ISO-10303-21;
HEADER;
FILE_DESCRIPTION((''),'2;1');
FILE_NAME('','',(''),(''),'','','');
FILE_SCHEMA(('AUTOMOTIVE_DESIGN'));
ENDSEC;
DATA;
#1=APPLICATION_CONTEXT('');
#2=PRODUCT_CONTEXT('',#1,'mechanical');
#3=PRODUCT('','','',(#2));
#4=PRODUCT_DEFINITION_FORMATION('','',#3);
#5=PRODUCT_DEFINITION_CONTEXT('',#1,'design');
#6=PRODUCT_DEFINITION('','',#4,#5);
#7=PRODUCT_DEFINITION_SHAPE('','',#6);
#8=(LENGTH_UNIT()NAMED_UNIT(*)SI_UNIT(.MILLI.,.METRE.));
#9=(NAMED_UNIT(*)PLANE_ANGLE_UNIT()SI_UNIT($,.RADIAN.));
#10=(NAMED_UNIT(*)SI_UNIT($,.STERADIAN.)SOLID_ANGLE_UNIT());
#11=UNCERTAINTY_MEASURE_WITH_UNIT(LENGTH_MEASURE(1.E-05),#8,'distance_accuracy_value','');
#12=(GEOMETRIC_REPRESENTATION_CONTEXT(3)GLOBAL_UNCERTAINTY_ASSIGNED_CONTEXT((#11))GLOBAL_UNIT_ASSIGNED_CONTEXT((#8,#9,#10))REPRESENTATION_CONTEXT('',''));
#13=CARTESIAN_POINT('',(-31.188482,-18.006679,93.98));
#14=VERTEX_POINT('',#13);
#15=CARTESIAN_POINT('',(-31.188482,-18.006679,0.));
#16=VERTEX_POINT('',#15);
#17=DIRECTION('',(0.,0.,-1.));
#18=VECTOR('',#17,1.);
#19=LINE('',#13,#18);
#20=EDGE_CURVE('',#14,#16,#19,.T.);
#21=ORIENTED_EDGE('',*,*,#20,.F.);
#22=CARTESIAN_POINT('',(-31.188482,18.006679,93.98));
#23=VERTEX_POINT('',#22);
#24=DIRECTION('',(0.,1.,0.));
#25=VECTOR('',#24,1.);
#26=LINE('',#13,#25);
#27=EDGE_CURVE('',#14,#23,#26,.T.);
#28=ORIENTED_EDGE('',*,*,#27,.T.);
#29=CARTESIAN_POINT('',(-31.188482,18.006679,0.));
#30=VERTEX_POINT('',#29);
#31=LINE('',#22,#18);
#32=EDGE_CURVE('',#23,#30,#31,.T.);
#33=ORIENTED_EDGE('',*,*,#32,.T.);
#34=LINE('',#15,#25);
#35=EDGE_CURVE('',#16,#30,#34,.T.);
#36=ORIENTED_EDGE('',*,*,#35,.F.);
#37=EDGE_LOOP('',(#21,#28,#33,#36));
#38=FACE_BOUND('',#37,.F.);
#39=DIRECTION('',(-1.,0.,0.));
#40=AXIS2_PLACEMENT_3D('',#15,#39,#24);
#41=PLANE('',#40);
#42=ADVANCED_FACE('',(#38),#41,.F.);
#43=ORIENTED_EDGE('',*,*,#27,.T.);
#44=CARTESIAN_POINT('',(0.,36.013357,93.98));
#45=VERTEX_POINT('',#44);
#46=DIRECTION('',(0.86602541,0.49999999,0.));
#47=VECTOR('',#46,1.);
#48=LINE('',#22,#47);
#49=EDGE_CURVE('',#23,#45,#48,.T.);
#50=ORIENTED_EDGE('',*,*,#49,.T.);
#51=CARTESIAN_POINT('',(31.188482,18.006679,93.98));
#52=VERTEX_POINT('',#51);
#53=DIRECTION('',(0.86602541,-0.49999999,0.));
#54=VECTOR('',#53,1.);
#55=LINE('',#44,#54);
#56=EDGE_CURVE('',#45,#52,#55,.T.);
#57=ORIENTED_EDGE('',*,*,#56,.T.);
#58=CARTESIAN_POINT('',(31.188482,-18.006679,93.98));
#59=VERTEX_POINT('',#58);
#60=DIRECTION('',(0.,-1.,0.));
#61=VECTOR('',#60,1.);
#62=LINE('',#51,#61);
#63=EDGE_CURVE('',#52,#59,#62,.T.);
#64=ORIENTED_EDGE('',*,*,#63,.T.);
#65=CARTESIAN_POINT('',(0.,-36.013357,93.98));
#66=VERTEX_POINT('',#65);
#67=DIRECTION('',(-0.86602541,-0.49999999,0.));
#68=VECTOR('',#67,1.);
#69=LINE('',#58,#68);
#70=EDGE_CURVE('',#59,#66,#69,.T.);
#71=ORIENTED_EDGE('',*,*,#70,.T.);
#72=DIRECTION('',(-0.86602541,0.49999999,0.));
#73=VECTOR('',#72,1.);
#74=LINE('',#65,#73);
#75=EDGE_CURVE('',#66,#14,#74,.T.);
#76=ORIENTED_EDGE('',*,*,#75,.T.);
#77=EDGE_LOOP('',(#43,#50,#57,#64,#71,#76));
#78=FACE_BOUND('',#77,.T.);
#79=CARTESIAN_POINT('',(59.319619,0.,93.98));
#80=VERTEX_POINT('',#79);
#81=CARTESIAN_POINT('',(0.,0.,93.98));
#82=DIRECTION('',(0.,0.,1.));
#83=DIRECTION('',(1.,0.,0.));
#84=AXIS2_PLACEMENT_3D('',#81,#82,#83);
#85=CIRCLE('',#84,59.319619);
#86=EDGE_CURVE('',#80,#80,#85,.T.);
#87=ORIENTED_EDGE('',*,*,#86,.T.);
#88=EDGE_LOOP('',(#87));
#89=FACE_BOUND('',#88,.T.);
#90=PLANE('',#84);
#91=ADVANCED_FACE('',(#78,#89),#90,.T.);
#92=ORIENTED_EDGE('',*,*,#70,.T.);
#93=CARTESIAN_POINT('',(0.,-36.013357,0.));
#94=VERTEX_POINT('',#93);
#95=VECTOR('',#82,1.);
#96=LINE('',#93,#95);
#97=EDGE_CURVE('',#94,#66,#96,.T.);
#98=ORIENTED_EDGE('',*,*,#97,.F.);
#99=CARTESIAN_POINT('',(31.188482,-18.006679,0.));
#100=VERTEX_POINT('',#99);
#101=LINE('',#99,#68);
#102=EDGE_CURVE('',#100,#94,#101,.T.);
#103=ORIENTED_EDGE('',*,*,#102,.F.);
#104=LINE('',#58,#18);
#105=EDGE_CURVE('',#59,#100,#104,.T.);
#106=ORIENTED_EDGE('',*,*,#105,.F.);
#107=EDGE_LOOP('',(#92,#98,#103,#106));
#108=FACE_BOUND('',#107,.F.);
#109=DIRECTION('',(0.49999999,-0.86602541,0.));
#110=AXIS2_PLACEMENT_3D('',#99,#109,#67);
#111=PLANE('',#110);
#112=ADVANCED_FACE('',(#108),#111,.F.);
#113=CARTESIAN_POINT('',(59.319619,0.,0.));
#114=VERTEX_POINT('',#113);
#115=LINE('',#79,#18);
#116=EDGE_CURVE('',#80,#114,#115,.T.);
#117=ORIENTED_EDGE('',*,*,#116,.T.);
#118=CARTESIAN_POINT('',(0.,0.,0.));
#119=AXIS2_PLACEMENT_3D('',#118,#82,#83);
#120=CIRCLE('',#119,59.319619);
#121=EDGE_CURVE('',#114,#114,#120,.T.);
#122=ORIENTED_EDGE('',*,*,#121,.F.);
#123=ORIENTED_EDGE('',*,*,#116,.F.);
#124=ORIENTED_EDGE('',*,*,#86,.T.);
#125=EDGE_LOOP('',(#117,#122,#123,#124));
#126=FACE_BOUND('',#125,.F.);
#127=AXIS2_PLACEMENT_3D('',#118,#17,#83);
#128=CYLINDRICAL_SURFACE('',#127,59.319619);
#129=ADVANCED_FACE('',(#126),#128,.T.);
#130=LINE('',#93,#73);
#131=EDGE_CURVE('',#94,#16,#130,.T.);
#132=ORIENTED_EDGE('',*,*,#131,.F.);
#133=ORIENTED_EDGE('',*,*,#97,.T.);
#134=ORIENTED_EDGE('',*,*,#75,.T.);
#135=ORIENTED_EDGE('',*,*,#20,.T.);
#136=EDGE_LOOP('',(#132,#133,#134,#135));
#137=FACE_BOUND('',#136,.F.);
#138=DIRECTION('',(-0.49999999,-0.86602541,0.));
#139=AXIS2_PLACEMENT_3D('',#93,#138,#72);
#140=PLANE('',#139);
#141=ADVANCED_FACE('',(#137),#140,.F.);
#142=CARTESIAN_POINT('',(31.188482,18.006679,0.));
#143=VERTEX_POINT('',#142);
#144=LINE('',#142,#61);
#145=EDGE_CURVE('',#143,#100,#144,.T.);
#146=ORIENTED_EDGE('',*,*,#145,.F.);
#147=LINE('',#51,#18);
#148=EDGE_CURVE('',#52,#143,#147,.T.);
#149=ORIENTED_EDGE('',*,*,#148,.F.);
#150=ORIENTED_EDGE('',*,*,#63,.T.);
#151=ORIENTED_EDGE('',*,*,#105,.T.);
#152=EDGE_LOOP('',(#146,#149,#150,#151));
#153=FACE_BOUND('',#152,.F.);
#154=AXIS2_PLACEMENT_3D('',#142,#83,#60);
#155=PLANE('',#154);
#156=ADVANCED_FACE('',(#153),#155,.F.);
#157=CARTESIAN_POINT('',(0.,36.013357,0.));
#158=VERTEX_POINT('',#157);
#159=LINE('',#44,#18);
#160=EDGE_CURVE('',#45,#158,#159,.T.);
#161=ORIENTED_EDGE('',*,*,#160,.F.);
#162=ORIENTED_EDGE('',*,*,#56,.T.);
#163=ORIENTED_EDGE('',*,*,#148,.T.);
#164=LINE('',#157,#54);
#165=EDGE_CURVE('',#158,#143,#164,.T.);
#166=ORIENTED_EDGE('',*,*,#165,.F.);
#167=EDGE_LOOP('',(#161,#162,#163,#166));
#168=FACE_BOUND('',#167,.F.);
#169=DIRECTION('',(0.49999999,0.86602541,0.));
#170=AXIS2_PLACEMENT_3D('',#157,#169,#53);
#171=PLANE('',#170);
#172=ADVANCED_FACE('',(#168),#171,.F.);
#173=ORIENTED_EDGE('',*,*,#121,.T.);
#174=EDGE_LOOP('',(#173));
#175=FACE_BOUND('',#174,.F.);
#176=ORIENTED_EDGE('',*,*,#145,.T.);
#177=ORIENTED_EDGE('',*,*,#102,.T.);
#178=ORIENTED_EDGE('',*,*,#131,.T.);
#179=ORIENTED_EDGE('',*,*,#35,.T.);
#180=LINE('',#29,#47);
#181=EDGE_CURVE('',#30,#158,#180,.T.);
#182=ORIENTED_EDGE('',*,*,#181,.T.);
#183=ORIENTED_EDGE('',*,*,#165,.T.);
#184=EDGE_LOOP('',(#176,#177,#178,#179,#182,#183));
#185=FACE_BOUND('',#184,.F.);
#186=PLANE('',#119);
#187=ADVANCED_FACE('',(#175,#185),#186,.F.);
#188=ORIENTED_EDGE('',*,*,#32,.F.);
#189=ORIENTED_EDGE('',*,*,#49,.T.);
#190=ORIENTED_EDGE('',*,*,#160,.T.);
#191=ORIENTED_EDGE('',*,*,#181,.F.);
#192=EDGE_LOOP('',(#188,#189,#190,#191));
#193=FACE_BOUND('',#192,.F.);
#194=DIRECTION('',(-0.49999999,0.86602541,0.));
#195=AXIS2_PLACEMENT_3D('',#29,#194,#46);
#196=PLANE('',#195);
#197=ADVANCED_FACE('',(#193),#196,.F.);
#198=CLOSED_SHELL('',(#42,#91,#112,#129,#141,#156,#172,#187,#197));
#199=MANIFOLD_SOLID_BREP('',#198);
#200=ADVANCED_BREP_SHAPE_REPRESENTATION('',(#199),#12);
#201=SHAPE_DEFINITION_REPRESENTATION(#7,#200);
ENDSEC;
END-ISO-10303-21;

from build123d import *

# Parameters (mm, degrees)
F0_R     = 59.319619
F1_DEPTH = 93.98
F2_DEPTH = 25.4


with BuildPart() as f1:
    # F0 (on Top) → F1 (new body)
    with BuildSketch(Plane.XY):
        Circle(F0_R)
        Polygon((0, -36.013357), (-31.188482, -18.006679), (-31.188482, 18.006679), (0, 36.013357), (31.188482, 18.006679), (31.188482, -18.006679), align=None, mode=Mode.SUBTRACT)
    extrude(amount=F1_DEPTH)

    # F0 (on Top) → F2 (join)
    with BuildSketch(Plane.XY):
        Circle(F0_R)
        Polygon((0, -36.013357), (-31.188482, -18.006679), (-31.188482, 18.006679), (0, 36.013357), (31.188482, 18.006679), (31.188482, -18.006679), align=None, mode=Mode.SUBTRACT)
    extrude(amount=F2_DEPTH)


solid = f1.part
